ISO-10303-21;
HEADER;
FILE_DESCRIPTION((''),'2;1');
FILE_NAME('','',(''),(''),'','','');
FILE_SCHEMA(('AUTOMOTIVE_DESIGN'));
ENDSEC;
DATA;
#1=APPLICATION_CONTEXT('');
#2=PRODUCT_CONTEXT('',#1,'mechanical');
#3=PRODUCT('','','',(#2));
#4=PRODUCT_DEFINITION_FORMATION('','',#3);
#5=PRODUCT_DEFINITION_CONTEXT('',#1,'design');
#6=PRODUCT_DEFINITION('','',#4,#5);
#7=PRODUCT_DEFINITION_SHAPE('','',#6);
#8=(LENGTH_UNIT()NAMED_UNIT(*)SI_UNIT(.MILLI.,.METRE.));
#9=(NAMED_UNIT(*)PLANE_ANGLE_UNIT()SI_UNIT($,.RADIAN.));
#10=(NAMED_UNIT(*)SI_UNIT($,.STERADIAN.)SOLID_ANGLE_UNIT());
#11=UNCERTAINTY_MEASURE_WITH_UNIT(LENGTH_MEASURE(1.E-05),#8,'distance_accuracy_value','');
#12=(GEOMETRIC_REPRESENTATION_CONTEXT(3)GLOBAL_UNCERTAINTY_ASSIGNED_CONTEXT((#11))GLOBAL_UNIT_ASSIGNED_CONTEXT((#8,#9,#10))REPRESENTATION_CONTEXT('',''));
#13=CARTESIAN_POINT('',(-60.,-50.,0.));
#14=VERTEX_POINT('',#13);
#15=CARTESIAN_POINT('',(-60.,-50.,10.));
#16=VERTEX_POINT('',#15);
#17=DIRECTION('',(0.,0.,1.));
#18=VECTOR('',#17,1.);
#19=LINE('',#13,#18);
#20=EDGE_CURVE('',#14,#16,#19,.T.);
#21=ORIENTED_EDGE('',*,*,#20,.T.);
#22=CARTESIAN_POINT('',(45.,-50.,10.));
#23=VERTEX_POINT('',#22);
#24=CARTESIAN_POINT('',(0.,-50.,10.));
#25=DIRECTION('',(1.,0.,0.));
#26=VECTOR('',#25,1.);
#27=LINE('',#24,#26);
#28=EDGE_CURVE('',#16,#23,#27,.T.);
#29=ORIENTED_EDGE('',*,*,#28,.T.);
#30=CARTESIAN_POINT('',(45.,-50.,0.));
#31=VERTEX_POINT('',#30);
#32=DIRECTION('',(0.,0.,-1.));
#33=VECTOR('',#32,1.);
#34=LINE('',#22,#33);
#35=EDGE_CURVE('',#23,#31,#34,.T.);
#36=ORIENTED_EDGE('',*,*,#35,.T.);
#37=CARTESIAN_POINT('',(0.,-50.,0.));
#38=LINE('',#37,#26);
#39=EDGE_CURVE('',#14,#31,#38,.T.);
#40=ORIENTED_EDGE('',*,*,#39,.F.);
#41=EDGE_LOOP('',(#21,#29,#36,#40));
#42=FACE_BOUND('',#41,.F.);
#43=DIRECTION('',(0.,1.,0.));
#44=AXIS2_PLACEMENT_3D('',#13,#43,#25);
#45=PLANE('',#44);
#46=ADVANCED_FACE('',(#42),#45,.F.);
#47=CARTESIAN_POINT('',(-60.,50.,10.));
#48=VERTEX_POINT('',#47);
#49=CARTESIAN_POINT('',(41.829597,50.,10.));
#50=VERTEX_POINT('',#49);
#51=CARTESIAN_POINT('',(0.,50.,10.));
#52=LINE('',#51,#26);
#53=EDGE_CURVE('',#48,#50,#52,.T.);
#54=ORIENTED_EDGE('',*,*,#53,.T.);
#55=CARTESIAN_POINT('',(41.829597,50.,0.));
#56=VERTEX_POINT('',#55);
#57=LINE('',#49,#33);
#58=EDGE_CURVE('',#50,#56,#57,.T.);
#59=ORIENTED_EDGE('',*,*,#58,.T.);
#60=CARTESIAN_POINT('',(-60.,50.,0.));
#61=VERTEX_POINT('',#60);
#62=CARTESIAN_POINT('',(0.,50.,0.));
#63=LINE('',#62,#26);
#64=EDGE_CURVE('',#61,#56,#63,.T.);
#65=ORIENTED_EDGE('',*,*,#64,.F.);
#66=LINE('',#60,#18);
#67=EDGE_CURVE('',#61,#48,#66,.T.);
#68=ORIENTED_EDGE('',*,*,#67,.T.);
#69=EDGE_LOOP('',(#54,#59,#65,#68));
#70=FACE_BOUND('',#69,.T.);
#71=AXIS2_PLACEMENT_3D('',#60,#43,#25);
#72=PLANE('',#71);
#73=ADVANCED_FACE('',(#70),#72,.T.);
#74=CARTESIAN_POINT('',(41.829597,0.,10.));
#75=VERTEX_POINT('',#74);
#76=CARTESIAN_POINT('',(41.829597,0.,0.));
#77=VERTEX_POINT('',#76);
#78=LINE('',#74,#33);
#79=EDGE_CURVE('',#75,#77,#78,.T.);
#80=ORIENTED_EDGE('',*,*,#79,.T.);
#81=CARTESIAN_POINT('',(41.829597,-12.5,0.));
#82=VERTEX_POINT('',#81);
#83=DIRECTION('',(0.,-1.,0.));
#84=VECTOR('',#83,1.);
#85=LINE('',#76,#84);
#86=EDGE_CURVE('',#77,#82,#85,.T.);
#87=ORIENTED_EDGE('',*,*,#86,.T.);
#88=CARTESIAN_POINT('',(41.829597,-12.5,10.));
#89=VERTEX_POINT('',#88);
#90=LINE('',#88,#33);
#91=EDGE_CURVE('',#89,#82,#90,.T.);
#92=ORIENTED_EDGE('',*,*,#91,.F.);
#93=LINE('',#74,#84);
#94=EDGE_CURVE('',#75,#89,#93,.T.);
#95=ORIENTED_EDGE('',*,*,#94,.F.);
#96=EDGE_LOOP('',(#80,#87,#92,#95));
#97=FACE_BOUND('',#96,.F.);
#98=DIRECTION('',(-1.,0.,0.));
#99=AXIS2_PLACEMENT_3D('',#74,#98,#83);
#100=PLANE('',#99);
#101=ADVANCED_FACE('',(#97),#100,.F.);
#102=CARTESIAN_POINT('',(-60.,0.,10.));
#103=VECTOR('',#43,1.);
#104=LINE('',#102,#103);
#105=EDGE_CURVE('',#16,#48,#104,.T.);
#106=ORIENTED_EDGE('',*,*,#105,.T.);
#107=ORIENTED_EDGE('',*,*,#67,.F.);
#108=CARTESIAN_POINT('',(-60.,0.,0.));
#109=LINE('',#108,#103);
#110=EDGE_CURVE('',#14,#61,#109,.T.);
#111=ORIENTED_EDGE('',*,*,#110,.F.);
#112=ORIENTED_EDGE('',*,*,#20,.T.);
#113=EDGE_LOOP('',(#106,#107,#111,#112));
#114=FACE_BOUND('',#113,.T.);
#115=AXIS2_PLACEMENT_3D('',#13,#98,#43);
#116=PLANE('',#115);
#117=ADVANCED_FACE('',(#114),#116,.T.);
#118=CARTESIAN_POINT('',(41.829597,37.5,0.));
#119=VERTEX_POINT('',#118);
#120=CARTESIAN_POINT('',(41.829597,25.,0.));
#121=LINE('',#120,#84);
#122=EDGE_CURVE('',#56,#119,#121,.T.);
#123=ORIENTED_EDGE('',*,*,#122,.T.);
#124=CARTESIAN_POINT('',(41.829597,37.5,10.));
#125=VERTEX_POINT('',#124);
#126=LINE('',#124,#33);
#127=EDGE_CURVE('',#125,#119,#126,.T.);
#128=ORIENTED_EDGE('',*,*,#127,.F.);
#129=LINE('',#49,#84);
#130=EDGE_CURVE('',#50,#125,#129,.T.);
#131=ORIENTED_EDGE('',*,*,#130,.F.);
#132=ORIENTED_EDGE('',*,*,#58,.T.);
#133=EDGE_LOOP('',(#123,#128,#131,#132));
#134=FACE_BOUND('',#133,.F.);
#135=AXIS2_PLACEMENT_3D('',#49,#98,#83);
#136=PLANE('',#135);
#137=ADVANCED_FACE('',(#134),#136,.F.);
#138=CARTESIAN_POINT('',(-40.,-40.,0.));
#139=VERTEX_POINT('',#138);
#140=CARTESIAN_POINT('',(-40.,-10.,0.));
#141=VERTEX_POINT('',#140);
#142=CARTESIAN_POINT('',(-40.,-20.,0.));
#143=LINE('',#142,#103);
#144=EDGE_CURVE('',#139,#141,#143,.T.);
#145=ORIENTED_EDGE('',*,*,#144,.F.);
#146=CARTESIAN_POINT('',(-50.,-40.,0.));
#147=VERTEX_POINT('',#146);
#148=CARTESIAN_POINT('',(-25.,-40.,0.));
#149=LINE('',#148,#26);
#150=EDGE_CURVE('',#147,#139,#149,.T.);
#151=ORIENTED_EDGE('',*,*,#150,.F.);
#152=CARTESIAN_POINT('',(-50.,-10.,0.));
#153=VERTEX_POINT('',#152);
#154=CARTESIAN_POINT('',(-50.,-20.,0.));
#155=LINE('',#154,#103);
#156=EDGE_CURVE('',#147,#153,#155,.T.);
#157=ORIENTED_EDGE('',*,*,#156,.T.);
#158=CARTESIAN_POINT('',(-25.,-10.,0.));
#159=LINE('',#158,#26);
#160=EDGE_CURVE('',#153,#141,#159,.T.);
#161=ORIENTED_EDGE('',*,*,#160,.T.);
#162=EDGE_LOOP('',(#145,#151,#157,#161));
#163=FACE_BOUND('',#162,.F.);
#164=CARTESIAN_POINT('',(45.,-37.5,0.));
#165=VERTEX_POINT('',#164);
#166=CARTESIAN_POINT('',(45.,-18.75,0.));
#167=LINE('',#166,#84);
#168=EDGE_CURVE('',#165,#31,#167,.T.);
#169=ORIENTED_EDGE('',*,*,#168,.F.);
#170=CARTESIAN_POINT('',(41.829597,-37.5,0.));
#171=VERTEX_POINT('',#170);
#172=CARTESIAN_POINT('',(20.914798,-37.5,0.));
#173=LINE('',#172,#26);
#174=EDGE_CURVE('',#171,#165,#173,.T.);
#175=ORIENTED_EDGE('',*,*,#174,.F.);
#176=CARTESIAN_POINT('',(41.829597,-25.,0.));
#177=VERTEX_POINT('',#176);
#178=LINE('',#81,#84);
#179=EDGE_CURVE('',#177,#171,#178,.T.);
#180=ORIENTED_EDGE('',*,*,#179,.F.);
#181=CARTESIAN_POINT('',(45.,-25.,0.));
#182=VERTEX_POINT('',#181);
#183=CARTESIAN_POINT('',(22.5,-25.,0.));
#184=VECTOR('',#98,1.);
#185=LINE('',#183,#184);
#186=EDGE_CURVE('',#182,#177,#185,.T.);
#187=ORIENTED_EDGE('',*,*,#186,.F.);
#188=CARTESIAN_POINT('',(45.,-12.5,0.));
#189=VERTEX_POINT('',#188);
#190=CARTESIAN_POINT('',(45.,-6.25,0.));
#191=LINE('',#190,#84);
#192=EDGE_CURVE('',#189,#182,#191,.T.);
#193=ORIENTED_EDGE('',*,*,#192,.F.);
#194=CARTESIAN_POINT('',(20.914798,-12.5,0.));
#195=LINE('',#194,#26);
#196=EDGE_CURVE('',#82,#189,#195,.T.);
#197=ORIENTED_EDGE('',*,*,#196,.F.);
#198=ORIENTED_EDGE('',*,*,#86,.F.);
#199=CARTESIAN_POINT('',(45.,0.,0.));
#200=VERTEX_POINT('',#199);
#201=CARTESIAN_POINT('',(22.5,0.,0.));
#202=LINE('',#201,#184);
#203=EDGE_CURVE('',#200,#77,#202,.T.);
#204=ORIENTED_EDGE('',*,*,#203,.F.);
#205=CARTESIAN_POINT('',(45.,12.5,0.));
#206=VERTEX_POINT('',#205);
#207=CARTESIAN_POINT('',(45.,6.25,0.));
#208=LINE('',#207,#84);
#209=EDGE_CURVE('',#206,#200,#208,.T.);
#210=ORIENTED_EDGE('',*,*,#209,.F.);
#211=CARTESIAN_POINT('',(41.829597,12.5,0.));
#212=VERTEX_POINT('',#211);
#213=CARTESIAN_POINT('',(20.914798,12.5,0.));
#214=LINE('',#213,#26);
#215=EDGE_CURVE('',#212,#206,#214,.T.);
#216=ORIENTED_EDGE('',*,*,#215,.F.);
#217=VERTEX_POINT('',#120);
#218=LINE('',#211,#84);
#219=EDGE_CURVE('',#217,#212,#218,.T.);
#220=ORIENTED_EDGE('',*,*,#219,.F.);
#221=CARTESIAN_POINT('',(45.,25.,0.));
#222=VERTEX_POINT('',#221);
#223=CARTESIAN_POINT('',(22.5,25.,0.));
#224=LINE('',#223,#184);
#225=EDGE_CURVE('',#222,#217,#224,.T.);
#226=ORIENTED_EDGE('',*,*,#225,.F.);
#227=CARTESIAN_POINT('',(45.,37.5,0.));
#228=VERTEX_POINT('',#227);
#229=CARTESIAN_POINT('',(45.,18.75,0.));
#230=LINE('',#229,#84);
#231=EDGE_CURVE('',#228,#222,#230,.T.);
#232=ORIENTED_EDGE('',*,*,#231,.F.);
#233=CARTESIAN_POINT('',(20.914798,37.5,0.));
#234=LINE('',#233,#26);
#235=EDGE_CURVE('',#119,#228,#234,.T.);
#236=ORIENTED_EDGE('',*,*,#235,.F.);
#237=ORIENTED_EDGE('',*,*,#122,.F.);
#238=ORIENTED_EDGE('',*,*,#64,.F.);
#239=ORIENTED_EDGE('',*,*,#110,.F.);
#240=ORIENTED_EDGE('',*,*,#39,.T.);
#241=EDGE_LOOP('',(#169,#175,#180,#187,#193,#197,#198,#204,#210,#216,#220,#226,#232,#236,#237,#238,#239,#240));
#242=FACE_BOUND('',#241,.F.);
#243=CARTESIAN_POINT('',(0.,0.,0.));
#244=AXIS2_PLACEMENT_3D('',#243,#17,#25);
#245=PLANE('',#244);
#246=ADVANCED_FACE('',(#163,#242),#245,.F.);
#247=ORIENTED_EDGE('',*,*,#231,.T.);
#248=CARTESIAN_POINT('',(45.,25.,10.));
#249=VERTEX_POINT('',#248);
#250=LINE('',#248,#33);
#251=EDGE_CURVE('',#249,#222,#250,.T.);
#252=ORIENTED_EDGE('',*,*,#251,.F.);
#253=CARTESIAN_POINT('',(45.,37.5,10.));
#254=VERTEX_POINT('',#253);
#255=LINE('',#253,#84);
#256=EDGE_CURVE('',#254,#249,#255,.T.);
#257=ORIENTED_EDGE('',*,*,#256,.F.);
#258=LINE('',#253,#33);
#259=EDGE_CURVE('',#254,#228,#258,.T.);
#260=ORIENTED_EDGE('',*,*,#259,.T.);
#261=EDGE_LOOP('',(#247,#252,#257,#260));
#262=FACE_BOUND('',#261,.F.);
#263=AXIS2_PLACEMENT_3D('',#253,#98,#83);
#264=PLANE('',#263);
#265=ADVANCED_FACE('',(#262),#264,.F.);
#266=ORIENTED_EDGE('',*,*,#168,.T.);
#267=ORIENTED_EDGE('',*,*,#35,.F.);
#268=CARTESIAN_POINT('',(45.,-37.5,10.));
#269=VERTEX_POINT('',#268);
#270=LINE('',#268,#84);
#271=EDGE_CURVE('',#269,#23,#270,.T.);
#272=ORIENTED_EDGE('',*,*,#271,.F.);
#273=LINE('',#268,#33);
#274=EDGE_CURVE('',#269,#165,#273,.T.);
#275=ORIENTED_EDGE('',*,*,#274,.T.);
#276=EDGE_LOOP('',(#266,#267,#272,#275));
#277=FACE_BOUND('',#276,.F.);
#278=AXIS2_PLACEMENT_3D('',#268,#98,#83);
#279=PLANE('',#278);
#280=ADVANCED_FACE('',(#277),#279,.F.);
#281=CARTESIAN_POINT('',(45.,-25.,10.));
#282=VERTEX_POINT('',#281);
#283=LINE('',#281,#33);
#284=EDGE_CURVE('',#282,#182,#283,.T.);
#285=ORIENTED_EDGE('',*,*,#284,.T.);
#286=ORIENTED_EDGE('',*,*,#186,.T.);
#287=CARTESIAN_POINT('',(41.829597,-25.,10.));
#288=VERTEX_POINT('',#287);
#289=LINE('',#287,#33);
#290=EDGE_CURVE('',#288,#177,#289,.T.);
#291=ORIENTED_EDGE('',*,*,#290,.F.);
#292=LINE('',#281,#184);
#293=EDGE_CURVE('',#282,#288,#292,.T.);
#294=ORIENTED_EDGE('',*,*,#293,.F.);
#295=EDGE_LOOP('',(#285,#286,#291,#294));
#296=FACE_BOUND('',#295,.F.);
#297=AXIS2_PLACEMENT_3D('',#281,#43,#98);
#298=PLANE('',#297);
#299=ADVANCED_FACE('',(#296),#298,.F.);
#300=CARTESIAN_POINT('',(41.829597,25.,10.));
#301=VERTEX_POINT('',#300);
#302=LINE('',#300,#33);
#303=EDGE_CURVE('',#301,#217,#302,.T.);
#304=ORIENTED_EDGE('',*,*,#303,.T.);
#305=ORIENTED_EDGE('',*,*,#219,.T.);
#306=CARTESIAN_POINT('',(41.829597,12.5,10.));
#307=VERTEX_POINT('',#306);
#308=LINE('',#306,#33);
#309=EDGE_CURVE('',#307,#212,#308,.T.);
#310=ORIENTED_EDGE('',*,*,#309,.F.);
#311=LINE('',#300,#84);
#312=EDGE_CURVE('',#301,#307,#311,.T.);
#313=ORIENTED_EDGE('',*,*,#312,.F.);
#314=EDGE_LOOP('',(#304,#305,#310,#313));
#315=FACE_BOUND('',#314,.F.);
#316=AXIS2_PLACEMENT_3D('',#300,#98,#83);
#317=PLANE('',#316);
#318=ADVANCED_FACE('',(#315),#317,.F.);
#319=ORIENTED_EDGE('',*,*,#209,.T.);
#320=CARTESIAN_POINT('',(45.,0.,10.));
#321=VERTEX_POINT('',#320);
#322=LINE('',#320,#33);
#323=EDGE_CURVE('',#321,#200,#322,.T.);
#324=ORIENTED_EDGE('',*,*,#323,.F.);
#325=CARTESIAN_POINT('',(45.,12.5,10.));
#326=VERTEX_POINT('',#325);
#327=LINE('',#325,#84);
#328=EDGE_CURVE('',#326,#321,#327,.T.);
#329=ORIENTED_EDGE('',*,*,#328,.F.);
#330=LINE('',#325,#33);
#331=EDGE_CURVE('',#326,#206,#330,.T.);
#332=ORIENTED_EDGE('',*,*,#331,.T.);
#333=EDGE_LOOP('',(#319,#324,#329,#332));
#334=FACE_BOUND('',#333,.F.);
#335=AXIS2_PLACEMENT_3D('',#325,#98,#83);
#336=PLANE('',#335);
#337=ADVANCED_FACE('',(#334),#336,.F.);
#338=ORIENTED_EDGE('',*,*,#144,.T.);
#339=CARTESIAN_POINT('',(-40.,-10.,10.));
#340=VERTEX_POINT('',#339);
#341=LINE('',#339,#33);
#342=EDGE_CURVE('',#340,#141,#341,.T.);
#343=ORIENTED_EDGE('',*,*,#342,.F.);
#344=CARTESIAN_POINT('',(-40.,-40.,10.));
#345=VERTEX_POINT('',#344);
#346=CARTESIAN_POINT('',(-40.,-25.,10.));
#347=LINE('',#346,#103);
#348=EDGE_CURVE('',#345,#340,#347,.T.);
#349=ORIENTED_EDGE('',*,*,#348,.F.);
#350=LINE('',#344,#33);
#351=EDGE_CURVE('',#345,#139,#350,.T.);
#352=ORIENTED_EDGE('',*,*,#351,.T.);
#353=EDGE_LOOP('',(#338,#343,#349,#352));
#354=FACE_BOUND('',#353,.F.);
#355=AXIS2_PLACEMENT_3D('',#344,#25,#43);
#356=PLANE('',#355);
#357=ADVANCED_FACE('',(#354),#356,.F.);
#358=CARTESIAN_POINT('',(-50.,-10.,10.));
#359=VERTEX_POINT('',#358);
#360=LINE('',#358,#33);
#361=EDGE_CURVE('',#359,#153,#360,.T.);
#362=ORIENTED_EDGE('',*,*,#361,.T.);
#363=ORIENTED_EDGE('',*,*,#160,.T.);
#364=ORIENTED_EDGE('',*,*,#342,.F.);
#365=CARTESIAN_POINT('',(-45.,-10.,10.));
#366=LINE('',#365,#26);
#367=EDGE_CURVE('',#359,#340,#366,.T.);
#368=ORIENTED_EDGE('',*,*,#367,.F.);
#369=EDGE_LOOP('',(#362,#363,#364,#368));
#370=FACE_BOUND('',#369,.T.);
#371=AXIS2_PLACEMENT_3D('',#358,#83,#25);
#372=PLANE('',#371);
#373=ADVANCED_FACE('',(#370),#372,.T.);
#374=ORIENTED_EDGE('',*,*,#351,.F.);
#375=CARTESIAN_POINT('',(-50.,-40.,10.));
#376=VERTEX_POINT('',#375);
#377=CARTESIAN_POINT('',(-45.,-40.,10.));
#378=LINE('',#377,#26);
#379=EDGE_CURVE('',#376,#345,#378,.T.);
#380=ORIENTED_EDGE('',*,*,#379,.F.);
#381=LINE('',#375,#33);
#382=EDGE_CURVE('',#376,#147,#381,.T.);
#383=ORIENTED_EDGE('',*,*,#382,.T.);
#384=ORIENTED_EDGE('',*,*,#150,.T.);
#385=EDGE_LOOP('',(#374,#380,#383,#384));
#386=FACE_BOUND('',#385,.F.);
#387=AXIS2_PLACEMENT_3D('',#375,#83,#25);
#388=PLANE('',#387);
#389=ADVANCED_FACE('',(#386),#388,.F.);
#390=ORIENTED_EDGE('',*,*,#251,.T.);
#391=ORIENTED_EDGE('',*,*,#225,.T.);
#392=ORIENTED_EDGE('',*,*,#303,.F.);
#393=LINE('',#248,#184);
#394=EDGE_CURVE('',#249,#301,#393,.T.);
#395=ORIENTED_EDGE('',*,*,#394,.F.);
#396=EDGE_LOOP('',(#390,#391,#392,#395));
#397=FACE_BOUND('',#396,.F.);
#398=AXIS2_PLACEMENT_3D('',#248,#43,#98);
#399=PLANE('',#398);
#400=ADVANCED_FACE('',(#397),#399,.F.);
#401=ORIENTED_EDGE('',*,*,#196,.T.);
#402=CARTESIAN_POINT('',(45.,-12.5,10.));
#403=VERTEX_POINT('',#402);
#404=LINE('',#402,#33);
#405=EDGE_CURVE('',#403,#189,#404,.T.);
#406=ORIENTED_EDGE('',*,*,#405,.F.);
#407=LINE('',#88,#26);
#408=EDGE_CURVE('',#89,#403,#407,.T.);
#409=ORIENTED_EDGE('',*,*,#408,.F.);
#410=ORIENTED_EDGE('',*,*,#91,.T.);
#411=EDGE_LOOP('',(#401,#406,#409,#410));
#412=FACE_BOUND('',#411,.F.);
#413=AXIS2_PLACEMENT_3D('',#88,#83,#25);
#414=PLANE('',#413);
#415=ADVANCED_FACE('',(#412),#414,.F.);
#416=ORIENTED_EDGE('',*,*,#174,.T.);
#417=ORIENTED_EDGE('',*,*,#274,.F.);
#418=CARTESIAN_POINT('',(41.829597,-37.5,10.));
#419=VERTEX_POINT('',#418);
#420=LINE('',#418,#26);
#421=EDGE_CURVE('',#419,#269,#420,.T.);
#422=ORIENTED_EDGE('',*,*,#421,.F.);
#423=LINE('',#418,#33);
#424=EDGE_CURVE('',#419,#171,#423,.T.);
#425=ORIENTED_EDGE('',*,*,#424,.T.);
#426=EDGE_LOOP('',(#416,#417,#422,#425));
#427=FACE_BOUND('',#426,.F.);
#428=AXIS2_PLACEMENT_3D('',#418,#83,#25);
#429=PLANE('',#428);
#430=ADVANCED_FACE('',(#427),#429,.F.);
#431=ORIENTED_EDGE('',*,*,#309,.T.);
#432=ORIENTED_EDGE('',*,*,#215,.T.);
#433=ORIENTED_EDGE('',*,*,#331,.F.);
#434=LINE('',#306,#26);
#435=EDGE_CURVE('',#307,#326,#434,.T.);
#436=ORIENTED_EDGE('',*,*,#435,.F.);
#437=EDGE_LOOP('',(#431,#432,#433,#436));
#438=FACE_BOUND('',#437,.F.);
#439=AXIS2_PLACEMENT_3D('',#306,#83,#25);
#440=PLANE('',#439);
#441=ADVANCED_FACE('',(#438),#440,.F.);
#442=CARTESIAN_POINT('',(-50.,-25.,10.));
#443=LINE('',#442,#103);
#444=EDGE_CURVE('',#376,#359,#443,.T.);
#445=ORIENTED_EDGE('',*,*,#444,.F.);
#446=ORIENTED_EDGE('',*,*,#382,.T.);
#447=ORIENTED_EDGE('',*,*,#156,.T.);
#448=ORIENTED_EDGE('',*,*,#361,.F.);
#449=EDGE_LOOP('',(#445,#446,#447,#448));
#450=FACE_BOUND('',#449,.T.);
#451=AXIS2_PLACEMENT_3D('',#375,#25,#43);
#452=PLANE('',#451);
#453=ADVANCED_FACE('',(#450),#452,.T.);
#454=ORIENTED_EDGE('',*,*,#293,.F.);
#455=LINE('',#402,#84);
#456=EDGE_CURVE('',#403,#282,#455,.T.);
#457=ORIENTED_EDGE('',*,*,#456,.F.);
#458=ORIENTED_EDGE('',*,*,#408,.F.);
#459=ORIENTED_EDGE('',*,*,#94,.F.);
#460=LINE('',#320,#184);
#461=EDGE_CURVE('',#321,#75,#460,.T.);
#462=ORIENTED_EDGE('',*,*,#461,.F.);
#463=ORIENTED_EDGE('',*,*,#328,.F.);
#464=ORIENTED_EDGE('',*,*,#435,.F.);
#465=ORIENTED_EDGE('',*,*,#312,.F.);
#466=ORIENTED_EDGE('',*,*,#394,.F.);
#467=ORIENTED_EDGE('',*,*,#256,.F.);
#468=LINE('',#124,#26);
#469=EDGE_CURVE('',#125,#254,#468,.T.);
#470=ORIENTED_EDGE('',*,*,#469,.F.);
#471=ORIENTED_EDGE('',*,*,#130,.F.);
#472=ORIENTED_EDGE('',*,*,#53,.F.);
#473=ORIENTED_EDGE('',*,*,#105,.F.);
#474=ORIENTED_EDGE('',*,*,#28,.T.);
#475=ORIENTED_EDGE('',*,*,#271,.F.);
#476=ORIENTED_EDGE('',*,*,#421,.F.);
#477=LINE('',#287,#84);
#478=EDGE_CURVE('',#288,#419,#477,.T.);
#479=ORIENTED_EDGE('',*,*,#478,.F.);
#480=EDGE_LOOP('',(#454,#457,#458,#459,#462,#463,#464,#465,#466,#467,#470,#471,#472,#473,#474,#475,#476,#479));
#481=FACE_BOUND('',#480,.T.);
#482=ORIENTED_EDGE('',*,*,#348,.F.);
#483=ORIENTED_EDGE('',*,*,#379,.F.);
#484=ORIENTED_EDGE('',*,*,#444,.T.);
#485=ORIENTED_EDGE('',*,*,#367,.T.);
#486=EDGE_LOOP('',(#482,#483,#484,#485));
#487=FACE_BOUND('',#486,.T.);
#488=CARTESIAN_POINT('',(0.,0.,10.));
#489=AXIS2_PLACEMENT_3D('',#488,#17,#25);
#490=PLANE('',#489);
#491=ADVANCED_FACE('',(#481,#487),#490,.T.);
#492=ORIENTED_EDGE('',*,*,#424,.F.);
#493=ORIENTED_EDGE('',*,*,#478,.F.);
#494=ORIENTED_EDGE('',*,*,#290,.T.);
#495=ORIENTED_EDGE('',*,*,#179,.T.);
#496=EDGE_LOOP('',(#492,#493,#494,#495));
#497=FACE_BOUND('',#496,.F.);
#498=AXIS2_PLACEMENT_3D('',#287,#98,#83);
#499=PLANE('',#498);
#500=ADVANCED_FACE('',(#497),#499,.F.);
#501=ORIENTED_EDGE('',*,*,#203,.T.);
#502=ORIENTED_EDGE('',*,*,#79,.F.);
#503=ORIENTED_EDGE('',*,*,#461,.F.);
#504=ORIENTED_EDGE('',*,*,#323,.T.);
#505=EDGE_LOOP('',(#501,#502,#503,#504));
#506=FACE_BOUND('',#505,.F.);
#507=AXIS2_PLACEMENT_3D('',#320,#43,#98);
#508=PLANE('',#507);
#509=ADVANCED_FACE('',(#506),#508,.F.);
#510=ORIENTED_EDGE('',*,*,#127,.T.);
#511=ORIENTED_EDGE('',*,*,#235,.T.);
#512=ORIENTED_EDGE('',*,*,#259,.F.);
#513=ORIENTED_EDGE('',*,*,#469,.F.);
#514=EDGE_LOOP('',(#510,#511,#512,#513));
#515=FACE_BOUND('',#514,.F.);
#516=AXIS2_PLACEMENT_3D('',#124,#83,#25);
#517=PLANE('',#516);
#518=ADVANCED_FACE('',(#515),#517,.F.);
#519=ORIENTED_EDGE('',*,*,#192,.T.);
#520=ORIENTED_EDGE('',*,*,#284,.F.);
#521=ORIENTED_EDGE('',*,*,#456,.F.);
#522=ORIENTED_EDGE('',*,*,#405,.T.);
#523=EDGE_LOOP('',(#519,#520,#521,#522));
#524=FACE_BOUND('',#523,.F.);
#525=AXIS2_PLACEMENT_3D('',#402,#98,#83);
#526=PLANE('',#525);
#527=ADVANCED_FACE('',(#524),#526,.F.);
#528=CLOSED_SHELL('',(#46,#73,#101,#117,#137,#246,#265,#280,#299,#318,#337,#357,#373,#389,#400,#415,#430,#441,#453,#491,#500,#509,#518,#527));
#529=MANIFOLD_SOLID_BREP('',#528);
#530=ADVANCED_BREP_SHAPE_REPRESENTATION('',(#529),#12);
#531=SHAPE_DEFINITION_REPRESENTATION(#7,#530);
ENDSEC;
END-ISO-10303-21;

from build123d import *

# Parameters (mm, degrees)
F0_W     = 120
F0_H     = 100
F1_DEPTH = 10
F2_W     = 10
F2_H     = 30
F3_DEPTH = 10.001
F5_DEPTH = 25


with BuildPart() as f1:
    # F0 (on Top) → F1 (new body)
    with BuildSketch(Plane.XY):
        Rectangle(F0_W, F0_H)
    extrude(amount=F1_DEPTH)

    # F2 (on face) → F3 (cut, through all)
    with BuildSketch(Plane.XY.offset(10)):
        with Locations((-45, -25)):
            Rectangle(F2_W, F2_H)
    extrude(amount=-F3_DEPTH, mode=Mode.SUBTRACT)

    # F4 (on face) → F5 (cut)
    with BuildSketch(Plane.XY.offset(10)):
        Polygon((45, -50), (60, -50), (60, 50), (41.829597, 50), (41.829597, 37.5), (45, 37.5), (45, 25), (41.829597, 25), (41.829597, 12.5), (45, 12.5), (45, 0), (41.829597, 0), (41.829597, -12.5), (45, -12.5), (45, -25), (41.829597, -25), (41.829597, -37.5), (45, -37.5), align=None)
    extrude(amount=-F5_DEPTH, mode=Mode.SUBTRACT)


solid = f1.part
